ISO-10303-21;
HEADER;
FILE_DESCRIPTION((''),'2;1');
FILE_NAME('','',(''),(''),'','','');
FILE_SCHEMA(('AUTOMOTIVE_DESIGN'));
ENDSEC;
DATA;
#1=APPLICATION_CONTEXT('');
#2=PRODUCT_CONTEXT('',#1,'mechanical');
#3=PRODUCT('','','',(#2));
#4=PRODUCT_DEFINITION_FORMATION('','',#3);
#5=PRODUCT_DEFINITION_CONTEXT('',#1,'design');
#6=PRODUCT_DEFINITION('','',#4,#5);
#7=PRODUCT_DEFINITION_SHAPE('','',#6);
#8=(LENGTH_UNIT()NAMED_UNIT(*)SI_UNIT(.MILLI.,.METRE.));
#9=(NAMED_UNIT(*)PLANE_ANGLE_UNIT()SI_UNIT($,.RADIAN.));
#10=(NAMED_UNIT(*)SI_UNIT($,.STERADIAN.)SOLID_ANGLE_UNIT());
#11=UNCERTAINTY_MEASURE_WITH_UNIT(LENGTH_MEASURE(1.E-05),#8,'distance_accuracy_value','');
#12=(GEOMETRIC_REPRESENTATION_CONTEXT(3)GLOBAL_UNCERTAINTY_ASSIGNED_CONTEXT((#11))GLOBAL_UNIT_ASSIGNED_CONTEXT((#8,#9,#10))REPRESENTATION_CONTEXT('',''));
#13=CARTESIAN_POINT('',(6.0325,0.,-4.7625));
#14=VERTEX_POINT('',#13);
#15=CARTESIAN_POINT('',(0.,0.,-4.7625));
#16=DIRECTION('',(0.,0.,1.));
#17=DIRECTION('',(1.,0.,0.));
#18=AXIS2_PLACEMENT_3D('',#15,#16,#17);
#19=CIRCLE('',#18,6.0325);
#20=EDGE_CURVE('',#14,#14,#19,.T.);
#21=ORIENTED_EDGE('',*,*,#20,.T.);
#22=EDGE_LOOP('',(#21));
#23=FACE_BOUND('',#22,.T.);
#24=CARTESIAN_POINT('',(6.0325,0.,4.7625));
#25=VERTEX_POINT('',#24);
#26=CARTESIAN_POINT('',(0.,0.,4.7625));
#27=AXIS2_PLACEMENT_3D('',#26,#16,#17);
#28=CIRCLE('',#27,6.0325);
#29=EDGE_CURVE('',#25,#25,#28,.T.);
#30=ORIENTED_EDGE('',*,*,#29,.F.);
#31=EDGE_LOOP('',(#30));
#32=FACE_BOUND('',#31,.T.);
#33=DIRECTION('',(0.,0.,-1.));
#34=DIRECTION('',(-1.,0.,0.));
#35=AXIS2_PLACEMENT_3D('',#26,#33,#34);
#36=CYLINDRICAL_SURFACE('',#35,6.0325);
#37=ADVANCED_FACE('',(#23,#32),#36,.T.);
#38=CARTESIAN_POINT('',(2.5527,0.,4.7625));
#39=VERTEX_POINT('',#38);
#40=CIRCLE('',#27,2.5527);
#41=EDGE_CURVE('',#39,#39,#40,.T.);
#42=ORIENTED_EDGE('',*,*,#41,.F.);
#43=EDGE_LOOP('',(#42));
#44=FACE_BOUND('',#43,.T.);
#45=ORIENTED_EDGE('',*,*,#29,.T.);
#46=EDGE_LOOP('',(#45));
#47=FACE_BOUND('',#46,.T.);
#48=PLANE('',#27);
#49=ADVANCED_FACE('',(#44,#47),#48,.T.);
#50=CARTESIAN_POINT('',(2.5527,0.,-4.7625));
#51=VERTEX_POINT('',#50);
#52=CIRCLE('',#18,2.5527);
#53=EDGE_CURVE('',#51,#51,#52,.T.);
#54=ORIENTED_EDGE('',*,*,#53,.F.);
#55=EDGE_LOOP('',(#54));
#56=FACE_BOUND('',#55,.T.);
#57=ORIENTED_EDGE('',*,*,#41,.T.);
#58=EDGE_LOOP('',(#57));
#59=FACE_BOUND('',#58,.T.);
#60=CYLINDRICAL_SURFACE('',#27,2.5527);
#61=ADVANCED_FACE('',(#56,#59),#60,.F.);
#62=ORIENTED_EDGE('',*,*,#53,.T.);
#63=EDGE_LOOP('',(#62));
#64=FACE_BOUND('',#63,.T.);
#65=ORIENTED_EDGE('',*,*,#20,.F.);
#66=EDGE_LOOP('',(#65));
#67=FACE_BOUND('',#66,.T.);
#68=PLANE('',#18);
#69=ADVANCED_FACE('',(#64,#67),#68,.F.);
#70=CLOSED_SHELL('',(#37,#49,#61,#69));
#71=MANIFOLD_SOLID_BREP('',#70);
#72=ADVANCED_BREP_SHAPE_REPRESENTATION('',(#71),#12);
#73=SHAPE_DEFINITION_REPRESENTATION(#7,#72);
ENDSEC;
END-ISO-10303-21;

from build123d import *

# Parameters (mm, degrees)
SKETCH1_R                   = 6.0325
BOSS_EXTRUDE1_DEPTH         = 4.7625
TAP_DRILL_FOR_1_4_20_TAP1_D = 5.1054


with BuildPart() as part:
    # Sketch1 → Boss-Extrude1 (new body, symmetric)
    with BuildSketch(Plane.XY):
        Circle(SKETCH1_R)
    extrude(amount=BOSS_EXTRUDE1_DEPTH, both=True)

    # Tap Drill for 1/4-20 Tap1 (through all)
    with Locations(Plane.XY.offset(4.7625)):
        with Locations((0, 0)):
            Hole(TAP_DRILL_FOR_1_4_20_TAP1_D / 2)


solid = part.part
